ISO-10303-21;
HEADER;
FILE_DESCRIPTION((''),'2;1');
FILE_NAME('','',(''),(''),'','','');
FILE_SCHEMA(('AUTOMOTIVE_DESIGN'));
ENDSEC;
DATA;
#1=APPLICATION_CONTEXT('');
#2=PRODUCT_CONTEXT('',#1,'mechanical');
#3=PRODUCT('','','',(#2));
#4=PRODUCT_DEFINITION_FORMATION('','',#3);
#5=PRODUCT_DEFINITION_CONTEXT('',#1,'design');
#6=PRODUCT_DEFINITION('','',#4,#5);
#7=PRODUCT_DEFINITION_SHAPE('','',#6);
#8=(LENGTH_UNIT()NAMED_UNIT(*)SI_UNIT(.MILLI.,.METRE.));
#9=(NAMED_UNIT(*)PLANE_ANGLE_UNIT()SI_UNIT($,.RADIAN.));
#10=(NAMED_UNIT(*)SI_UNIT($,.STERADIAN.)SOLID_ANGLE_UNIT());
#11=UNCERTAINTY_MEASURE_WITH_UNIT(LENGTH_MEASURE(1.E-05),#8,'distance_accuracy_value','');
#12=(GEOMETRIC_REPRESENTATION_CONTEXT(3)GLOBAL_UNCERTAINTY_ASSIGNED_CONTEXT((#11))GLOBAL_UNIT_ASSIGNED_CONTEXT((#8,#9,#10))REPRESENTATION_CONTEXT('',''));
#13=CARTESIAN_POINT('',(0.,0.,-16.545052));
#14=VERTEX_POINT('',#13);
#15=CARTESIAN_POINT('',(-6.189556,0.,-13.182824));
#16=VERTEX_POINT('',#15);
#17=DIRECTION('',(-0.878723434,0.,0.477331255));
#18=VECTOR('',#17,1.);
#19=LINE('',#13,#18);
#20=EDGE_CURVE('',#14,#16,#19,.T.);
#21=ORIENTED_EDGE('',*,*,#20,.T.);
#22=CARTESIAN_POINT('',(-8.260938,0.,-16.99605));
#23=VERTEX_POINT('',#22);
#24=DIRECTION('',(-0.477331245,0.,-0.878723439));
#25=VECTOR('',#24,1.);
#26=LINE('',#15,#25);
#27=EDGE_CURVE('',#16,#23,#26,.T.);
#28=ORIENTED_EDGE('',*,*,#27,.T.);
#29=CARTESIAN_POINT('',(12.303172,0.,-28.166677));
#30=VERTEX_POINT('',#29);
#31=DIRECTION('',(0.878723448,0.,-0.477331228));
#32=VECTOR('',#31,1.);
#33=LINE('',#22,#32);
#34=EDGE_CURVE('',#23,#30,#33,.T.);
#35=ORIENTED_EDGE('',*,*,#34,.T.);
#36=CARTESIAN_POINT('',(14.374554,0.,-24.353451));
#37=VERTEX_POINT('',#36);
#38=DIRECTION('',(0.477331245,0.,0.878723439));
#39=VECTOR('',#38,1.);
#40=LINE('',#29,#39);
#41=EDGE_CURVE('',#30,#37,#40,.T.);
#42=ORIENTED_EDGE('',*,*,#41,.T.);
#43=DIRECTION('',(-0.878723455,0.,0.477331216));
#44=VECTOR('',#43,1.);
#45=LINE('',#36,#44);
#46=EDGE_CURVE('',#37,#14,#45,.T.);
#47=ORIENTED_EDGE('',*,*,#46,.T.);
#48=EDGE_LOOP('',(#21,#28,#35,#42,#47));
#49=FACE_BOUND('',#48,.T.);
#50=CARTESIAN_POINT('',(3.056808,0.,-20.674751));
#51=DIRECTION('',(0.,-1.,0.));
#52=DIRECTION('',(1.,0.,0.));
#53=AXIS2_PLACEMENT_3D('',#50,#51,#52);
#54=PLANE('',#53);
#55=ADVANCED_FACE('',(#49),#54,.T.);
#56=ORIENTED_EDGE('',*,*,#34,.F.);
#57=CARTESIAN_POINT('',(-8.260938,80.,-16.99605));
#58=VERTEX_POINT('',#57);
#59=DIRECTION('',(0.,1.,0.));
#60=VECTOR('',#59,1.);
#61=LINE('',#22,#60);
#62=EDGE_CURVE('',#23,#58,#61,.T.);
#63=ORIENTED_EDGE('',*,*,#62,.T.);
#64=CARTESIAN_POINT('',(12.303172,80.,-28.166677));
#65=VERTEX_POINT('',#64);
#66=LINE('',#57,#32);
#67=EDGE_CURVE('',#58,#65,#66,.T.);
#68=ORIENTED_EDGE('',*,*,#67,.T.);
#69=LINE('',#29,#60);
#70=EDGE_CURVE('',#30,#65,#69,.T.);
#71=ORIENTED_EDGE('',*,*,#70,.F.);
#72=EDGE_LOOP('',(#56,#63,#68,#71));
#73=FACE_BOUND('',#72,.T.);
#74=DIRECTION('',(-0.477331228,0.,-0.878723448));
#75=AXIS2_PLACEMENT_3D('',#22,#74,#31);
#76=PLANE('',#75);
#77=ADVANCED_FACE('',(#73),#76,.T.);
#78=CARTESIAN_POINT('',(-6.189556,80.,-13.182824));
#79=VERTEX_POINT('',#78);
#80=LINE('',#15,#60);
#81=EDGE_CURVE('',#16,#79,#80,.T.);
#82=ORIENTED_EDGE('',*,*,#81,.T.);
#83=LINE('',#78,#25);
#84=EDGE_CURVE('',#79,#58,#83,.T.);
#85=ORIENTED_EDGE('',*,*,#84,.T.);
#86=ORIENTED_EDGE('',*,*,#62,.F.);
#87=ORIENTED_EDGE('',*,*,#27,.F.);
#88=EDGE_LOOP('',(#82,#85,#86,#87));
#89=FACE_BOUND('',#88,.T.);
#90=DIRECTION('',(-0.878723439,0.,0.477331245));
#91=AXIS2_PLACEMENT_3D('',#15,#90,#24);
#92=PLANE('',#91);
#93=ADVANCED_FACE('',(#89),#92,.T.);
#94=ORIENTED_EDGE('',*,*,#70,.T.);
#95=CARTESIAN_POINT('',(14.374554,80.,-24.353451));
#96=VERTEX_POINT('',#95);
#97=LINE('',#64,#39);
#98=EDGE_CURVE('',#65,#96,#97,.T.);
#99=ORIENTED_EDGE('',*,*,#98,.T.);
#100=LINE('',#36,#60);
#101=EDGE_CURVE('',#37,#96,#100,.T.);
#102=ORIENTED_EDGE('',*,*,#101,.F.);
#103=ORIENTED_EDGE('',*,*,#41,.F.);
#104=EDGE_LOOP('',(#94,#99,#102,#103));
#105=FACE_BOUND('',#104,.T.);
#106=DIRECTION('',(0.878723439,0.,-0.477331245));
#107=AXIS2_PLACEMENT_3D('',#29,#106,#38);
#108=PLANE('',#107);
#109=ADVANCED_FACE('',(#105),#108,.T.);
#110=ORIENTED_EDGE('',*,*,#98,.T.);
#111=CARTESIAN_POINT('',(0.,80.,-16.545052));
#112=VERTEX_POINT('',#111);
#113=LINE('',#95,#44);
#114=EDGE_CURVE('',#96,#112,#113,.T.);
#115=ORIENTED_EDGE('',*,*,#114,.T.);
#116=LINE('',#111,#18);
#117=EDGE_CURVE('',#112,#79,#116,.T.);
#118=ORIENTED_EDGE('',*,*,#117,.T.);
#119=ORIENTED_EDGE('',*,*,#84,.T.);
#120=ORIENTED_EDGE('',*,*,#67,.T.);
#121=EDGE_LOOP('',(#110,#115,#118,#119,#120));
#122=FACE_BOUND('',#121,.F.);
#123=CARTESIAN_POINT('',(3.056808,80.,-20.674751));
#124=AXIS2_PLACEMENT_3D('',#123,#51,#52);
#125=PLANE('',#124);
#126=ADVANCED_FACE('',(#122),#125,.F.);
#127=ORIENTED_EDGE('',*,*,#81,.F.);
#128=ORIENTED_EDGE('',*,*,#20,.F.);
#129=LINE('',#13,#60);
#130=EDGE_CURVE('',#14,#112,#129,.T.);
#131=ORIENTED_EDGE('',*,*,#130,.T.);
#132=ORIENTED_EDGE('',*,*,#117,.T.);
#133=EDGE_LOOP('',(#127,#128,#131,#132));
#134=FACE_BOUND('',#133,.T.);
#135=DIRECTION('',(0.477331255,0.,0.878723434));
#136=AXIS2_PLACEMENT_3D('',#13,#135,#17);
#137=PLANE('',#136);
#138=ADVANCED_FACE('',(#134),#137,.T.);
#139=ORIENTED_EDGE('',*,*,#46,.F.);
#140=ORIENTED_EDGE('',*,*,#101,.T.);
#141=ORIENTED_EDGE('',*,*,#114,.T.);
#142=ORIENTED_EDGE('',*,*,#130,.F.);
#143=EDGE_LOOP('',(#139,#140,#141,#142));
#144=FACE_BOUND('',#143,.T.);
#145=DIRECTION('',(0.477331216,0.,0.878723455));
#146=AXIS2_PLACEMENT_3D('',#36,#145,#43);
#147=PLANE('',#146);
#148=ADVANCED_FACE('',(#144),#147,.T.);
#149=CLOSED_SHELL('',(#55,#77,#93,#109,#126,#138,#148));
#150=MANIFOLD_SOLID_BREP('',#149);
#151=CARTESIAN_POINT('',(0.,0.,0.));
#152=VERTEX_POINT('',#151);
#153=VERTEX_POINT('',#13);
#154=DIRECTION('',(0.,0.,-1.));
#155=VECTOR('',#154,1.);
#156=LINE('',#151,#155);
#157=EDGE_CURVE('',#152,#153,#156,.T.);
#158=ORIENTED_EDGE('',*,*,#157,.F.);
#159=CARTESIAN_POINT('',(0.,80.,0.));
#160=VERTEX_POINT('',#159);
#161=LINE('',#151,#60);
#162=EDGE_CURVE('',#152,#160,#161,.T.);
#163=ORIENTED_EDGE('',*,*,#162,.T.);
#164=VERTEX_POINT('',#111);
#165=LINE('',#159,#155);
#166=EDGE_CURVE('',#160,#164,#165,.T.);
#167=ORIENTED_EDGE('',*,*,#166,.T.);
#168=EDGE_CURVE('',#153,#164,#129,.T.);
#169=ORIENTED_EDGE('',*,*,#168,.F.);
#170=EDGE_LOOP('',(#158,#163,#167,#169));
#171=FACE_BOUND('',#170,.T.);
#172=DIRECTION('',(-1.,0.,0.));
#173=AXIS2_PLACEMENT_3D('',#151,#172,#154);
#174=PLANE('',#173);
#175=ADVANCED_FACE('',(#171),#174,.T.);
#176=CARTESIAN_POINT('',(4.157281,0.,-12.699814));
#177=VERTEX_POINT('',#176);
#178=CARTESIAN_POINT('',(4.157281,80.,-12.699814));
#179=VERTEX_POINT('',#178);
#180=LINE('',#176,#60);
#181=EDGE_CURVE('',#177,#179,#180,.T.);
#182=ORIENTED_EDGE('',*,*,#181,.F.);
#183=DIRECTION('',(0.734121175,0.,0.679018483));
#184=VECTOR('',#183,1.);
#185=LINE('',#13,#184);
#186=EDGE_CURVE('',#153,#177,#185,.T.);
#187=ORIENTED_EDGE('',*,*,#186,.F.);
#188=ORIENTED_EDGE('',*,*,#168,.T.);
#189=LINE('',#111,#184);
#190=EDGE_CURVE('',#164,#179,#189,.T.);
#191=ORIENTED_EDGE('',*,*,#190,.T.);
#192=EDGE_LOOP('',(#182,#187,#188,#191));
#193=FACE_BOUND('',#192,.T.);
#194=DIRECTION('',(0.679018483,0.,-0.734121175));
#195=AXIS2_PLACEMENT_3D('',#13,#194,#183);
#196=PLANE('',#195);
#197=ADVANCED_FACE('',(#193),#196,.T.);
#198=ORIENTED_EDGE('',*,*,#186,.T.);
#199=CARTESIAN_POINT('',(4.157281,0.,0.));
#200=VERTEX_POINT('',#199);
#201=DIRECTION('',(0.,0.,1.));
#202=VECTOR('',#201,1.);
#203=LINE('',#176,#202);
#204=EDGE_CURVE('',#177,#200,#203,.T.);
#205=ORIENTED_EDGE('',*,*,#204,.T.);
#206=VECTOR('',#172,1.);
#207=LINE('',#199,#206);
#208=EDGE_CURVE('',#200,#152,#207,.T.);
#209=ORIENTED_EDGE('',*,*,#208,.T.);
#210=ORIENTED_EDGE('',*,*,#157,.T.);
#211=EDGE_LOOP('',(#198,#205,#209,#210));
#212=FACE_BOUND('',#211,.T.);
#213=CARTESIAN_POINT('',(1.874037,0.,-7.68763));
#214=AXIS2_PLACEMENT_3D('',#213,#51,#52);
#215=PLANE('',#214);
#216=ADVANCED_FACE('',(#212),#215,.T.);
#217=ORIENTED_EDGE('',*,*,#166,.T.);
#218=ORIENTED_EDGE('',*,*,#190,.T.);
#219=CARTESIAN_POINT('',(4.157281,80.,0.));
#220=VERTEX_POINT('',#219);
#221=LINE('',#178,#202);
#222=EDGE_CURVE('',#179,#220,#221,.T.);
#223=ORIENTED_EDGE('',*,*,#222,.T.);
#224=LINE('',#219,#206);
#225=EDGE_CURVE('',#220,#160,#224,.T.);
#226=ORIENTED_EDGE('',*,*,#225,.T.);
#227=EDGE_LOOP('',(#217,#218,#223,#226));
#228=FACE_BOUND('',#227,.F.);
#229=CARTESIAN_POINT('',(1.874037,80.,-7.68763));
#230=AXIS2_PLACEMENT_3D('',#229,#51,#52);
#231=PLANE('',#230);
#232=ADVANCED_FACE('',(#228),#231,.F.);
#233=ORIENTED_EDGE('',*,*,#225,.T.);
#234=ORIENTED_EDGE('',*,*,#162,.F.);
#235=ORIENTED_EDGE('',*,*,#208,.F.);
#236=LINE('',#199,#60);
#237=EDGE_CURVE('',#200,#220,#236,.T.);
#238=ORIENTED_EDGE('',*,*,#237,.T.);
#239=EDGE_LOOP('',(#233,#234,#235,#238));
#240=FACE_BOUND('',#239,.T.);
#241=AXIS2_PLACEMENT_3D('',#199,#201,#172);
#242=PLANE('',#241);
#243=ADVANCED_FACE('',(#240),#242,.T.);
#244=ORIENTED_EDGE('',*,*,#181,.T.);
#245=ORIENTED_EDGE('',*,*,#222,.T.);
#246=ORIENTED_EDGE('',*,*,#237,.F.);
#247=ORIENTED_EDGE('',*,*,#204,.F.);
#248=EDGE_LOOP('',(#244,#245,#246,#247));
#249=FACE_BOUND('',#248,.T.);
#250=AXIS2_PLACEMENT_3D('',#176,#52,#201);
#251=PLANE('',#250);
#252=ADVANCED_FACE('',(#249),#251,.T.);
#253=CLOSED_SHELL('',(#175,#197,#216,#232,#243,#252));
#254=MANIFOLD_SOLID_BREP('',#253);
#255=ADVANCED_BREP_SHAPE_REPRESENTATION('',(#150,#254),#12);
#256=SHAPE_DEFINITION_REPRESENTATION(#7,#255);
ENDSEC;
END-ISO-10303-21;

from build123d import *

# Parameters (mm, degrees)
F1_DEPTH = 80


with BuildPart() as f1:
    # F0 (on Front) → F1 (new body)
    with BuildSketch(Plane.XZ):
        Polygon((14.374554, -24.353451), (0, -16.545052), (-6.189556, -13.182824), (-8.260938, -16.99605), (12.303172, -28.166677), align=None)
        Polygon((4.157281, 0), (0, 0), (0, -16.545052), (4.157281, -12.699814), align=None)
    extrude(amount=-F1_DEPTH)


solid = f1.part
